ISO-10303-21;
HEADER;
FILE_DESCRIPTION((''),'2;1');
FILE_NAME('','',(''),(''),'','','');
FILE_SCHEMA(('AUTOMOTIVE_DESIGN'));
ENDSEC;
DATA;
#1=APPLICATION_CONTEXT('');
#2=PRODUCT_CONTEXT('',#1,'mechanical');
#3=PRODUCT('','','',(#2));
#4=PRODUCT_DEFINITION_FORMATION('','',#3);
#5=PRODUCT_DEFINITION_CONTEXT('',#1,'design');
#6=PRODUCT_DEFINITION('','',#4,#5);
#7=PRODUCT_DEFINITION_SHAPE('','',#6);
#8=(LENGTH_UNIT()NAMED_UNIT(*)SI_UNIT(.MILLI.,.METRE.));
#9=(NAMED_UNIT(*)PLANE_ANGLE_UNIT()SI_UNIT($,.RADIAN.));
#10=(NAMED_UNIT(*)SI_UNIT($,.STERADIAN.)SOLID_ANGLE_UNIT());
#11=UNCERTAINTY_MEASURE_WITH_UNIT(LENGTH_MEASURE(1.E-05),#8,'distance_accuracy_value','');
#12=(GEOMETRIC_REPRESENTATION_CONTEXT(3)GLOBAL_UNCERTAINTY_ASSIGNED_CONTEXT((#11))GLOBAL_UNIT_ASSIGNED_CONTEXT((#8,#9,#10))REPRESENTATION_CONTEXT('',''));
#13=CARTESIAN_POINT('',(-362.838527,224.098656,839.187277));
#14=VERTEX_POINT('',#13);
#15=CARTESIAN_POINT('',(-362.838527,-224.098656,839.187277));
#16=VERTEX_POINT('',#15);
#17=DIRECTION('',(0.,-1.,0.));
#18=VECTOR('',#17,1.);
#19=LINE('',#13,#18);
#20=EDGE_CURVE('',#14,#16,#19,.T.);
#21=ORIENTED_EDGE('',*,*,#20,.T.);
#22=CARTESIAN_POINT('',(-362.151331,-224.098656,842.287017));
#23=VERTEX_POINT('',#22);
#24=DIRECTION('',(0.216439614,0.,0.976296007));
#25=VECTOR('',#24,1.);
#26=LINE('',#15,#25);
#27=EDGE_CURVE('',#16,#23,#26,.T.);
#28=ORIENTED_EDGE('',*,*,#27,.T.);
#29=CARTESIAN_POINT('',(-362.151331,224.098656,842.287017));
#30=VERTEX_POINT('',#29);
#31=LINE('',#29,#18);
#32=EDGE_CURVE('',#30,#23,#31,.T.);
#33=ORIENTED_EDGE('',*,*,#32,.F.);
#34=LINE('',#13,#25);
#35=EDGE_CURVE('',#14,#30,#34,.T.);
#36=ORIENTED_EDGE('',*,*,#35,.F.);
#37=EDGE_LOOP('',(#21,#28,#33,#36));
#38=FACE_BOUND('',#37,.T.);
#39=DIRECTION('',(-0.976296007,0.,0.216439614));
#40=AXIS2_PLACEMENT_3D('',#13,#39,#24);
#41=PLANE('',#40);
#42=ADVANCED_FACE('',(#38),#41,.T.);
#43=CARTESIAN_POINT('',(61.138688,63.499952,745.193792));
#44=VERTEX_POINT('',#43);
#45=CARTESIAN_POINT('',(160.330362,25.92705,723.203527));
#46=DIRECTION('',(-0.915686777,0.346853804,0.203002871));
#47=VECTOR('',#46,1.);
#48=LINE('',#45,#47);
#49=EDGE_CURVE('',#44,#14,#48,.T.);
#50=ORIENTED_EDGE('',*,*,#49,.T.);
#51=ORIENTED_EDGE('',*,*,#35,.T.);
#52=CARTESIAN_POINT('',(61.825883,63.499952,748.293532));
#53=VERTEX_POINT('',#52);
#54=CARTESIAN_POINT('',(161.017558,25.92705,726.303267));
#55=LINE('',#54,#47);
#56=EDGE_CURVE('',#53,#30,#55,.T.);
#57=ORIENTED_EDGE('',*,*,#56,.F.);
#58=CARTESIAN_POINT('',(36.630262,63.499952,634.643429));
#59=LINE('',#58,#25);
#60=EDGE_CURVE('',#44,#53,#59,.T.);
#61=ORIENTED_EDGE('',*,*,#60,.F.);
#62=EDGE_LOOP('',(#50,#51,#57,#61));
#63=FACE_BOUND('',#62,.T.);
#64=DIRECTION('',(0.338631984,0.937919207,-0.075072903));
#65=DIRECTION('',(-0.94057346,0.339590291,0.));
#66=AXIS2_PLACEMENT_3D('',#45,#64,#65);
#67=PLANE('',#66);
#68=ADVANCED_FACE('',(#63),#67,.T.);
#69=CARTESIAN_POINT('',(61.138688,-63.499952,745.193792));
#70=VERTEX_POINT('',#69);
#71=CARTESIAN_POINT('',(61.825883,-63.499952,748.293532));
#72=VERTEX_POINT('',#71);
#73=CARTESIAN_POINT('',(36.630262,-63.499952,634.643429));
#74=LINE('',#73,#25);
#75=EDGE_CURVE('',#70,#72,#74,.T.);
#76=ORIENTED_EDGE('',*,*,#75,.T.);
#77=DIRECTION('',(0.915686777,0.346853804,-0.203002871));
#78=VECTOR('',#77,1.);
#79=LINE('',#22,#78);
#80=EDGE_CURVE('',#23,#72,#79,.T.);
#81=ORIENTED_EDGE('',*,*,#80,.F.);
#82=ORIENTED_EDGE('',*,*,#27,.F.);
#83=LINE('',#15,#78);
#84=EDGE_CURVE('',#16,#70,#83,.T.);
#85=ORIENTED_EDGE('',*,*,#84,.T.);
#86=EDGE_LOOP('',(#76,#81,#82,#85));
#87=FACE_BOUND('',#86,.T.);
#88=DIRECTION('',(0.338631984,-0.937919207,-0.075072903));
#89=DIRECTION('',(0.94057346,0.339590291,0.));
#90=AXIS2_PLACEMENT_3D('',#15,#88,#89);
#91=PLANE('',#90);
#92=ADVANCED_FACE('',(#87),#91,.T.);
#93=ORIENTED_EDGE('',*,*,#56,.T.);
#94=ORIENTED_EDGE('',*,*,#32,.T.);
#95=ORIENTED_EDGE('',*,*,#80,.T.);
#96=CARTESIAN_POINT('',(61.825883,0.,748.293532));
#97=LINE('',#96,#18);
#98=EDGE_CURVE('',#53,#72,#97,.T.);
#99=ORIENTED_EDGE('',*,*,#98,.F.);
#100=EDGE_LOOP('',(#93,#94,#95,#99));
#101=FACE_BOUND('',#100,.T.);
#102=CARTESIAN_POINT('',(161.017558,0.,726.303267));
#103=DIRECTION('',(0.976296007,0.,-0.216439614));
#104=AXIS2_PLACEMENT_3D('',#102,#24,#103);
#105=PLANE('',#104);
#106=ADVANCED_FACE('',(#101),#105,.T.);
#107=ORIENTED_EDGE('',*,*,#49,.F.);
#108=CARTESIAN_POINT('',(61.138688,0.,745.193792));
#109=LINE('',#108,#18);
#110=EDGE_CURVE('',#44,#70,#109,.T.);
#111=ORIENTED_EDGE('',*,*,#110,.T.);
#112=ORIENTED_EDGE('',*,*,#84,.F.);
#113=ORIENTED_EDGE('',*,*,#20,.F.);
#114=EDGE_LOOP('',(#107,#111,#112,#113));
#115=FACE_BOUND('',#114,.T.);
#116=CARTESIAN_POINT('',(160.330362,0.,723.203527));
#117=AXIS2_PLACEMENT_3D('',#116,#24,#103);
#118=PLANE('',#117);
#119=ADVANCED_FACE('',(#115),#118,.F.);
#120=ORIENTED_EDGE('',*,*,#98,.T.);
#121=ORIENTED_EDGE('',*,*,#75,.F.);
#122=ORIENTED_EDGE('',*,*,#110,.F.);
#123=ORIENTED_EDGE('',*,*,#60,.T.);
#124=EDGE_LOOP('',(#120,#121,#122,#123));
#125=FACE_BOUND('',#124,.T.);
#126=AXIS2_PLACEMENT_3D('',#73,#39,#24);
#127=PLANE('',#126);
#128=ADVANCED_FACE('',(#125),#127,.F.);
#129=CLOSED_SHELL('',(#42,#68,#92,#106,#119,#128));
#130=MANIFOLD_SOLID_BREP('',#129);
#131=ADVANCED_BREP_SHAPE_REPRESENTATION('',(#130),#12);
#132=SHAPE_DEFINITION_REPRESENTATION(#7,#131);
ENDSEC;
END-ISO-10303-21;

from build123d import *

# Parameters (mm, degrees)
BOSS_EXTRUDE1_DEPTH     = 3.175
CUT_EXTRUDE1_DEPTH      = 582.461637412
CUT_EXTRUDE1_DEPTH_BACK = 582.461637412
SKETCH2_W               = 101.6
SKETCH2_H               = 126.99990409


with BuildPart() as part:
    # Sketch1 → Boss-Extrude1 (new body)
    with BuildSketch(Plane(origin=(161.017557723, 0, 726.303266861), x_dir=(0, 1, 0), z_dir=(0.2164396139381031, 0, 0.9762960071199334))):
        Polygon((-224.098656226, 535.871175677), (-25.92705, 0), (25.92705, 0), (224.098656226, 535.871175677), align=None)
    extrude(amount=-BOSS_EXTRUDE1_DEPTH)

    # Sketch2 → Cut-Extrude1 (cut, two sides: drawn at the far end of the back side and taken through both)
    with BuildSketch(Plane(origin=(161.017557723, 0, 726.303266861), x_dir=(0.9762960071199334, 0, -0.21643961393810304), z_dir=(0.21643961393810301, 0, 0.9762960071199333)).offset(-CUT_EXTRUDE1_DEPTH_BACK)):
        with Locations((-50.8, 0)):
            Rectangle(SKETCH2_W, SKETCH2_H)
    extrude(amount=CUT_EXTRUDE1_DEPTH + CUT_EXTRUDE1_DEPTH_BACK, mode=Mode.SUBTRACT)


solid = part.part
